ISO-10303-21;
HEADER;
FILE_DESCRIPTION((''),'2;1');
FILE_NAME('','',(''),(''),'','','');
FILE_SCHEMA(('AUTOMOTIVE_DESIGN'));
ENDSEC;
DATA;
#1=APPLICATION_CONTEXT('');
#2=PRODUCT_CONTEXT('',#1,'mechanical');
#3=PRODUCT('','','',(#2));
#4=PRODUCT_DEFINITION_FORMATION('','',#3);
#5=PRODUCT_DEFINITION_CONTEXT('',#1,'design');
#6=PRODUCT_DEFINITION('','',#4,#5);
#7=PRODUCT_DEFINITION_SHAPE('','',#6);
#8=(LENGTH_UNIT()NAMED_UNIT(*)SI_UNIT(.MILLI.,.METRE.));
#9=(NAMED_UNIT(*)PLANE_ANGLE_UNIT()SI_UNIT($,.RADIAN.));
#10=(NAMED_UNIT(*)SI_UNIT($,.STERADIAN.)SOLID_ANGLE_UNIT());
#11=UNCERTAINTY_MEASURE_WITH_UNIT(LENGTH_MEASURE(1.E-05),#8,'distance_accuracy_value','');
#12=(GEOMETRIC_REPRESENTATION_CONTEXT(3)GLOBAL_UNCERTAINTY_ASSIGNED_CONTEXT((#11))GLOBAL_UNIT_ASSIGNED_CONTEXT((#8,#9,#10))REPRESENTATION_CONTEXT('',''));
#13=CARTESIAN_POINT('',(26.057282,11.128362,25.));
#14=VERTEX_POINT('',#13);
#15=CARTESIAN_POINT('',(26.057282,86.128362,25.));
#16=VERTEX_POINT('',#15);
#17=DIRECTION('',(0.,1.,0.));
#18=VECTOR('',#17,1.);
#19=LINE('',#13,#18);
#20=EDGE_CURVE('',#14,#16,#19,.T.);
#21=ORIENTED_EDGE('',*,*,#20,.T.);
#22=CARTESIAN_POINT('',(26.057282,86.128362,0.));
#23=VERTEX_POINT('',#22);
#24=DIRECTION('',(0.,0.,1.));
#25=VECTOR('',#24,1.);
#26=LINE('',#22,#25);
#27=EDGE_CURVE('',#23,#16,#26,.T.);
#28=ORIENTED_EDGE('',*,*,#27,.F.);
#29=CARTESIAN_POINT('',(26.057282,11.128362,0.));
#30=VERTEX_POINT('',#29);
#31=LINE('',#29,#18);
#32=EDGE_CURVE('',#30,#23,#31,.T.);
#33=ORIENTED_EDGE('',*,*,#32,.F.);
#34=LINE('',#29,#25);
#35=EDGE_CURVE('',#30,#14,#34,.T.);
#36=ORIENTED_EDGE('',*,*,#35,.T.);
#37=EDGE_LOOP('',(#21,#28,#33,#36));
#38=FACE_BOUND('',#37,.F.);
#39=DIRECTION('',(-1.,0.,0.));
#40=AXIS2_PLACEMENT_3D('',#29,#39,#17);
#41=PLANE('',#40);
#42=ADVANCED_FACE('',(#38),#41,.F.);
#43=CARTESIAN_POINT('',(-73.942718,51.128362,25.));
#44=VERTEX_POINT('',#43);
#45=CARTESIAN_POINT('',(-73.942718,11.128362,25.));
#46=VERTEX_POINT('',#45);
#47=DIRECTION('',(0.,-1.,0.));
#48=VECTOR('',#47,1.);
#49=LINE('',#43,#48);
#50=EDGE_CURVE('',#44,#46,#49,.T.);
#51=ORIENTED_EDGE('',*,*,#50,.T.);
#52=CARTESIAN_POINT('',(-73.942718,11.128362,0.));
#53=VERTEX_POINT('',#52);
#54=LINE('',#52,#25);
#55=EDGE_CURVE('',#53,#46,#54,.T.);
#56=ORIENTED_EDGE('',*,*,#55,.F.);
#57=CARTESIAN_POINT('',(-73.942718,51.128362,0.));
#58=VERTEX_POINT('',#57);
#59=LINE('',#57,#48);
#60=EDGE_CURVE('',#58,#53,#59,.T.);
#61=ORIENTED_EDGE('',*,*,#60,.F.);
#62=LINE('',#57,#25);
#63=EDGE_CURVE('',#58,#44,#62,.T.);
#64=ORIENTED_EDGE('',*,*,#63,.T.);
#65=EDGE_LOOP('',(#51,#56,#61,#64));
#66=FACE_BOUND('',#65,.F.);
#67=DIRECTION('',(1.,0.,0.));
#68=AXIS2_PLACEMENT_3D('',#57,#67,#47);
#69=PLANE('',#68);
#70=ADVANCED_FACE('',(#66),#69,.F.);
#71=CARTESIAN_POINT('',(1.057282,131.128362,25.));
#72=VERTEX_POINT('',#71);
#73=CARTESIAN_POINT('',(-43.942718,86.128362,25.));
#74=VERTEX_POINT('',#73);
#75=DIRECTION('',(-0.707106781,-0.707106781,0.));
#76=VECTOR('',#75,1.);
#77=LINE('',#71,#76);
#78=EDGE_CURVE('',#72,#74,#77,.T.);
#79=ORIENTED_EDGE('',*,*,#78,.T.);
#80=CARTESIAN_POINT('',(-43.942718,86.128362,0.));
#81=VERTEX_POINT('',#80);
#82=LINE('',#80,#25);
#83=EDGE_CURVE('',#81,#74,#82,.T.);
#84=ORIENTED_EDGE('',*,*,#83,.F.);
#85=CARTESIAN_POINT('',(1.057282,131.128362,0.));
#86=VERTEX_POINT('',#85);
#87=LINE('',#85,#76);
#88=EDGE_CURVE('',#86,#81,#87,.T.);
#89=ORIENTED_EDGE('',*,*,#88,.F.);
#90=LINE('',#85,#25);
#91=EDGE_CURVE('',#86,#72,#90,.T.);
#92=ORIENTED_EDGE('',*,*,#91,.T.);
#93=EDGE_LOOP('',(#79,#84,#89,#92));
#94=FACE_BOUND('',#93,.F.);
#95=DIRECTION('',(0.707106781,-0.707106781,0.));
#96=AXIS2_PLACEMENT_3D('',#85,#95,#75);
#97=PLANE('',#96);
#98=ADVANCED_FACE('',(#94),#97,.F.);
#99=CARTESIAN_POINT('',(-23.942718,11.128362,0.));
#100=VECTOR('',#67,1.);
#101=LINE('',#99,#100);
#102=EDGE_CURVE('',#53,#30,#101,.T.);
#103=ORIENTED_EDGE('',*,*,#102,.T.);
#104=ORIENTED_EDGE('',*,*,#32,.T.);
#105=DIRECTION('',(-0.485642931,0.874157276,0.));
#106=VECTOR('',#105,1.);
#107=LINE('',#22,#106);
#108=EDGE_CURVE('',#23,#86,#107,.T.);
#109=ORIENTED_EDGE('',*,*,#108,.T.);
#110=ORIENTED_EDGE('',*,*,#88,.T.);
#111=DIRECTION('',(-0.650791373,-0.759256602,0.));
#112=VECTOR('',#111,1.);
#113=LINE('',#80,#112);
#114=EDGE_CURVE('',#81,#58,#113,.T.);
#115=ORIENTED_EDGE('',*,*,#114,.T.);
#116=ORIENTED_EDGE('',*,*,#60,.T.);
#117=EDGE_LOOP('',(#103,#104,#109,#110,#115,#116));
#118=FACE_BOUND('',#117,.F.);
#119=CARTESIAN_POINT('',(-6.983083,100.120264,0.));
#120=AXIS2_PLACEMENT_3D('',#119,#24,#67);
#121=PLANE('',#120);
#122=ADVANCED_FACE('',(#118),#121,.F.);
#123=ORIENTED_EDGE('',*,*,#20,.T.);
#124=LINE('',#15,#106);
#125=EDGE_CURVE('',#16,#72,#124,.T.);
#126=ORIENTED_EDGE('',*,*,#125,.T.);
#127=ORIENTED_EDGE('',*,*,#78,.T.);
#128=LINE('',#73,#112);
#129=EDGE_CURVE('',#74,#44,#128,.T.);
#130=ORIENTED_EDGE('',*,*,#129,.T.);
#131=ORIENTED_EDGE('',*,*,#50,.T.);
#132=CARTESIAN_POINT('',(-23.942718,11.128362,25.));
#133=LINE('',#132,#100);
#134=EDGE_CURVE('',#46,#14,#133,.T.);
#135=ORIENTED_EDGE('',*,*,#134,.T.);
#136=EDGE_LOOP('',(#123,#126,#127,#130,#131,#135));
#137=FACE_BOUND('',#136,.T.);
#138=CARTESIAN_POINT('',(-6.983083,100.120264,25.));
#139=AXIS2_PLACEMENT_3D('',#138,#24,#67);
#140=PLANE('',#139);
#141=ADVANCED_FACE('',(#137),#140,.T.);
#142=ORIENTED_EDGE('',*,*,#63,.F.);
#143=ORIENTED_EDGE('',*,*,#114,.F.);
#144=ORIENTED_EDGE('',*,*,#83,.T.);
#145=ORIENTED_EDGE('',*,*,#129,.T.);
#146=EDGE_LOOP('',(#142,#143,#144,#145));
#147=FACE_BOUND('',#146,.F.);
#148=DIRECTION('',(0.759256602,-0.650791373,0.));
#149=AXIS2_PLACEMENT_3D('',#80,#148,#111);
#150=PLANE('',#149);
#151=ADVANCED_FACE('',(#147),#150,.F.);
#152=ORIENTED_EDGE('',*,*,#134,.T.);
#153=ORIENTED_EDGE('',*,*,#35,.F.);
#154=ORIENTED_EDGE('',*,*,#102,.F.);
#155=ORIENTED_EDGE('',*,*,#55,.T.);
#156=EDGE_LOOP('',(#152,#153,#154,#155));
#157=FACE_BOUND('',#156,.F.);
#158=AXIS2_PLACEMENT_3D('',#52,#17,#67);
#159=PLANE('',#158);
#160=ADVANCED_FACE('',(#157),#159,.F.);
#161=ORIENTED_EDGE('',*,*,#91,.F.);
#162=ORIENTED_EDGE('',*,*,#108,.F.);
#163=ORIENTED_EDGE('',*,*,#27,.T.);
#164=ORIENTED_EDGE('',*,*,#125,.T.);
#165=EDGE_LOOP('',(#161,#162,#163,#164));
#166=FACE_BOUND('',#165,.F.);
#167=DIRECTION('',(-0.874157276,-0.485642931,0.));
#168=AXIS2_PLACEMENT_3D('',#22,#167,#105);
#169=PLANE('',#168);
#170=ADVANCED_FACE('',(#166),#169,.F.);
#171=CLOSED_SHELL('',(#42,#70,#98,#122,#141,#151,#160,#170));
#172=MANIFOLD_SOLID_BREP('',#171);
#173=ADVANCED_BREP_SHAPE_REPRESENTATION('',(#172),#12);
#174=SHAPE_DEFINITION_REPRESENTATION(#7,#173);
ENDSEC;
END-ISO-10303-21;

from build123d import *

# Parameters (mm, degrees)
F0_W     = 100
F0_H     = 20
F1_DEPTH = 25


with BuildPart() as f1:
    # F0 (on Top) → F1 (new body)
    with BuildSketch(Plane.XY):
        Polygon((1.057282, 131.128362), (-43.942718, 86.128362), (26.057282, 86.128362), align=None)
        Polygon((-43.942718, 86.128362), (-73.942718, 51.128362), (26.057282, 51.128362), (26.057282, 86.128362), align=None)
        with Locations((-23.942718, 41.128362)):
            Rectangle(F0_W, F0_H)
        with Locations((-23.942718, 21.128362)):
            Rectangle(F0_W, F0_H)
    extrude(amount=F1_DEPTH)


solid = f1.part
